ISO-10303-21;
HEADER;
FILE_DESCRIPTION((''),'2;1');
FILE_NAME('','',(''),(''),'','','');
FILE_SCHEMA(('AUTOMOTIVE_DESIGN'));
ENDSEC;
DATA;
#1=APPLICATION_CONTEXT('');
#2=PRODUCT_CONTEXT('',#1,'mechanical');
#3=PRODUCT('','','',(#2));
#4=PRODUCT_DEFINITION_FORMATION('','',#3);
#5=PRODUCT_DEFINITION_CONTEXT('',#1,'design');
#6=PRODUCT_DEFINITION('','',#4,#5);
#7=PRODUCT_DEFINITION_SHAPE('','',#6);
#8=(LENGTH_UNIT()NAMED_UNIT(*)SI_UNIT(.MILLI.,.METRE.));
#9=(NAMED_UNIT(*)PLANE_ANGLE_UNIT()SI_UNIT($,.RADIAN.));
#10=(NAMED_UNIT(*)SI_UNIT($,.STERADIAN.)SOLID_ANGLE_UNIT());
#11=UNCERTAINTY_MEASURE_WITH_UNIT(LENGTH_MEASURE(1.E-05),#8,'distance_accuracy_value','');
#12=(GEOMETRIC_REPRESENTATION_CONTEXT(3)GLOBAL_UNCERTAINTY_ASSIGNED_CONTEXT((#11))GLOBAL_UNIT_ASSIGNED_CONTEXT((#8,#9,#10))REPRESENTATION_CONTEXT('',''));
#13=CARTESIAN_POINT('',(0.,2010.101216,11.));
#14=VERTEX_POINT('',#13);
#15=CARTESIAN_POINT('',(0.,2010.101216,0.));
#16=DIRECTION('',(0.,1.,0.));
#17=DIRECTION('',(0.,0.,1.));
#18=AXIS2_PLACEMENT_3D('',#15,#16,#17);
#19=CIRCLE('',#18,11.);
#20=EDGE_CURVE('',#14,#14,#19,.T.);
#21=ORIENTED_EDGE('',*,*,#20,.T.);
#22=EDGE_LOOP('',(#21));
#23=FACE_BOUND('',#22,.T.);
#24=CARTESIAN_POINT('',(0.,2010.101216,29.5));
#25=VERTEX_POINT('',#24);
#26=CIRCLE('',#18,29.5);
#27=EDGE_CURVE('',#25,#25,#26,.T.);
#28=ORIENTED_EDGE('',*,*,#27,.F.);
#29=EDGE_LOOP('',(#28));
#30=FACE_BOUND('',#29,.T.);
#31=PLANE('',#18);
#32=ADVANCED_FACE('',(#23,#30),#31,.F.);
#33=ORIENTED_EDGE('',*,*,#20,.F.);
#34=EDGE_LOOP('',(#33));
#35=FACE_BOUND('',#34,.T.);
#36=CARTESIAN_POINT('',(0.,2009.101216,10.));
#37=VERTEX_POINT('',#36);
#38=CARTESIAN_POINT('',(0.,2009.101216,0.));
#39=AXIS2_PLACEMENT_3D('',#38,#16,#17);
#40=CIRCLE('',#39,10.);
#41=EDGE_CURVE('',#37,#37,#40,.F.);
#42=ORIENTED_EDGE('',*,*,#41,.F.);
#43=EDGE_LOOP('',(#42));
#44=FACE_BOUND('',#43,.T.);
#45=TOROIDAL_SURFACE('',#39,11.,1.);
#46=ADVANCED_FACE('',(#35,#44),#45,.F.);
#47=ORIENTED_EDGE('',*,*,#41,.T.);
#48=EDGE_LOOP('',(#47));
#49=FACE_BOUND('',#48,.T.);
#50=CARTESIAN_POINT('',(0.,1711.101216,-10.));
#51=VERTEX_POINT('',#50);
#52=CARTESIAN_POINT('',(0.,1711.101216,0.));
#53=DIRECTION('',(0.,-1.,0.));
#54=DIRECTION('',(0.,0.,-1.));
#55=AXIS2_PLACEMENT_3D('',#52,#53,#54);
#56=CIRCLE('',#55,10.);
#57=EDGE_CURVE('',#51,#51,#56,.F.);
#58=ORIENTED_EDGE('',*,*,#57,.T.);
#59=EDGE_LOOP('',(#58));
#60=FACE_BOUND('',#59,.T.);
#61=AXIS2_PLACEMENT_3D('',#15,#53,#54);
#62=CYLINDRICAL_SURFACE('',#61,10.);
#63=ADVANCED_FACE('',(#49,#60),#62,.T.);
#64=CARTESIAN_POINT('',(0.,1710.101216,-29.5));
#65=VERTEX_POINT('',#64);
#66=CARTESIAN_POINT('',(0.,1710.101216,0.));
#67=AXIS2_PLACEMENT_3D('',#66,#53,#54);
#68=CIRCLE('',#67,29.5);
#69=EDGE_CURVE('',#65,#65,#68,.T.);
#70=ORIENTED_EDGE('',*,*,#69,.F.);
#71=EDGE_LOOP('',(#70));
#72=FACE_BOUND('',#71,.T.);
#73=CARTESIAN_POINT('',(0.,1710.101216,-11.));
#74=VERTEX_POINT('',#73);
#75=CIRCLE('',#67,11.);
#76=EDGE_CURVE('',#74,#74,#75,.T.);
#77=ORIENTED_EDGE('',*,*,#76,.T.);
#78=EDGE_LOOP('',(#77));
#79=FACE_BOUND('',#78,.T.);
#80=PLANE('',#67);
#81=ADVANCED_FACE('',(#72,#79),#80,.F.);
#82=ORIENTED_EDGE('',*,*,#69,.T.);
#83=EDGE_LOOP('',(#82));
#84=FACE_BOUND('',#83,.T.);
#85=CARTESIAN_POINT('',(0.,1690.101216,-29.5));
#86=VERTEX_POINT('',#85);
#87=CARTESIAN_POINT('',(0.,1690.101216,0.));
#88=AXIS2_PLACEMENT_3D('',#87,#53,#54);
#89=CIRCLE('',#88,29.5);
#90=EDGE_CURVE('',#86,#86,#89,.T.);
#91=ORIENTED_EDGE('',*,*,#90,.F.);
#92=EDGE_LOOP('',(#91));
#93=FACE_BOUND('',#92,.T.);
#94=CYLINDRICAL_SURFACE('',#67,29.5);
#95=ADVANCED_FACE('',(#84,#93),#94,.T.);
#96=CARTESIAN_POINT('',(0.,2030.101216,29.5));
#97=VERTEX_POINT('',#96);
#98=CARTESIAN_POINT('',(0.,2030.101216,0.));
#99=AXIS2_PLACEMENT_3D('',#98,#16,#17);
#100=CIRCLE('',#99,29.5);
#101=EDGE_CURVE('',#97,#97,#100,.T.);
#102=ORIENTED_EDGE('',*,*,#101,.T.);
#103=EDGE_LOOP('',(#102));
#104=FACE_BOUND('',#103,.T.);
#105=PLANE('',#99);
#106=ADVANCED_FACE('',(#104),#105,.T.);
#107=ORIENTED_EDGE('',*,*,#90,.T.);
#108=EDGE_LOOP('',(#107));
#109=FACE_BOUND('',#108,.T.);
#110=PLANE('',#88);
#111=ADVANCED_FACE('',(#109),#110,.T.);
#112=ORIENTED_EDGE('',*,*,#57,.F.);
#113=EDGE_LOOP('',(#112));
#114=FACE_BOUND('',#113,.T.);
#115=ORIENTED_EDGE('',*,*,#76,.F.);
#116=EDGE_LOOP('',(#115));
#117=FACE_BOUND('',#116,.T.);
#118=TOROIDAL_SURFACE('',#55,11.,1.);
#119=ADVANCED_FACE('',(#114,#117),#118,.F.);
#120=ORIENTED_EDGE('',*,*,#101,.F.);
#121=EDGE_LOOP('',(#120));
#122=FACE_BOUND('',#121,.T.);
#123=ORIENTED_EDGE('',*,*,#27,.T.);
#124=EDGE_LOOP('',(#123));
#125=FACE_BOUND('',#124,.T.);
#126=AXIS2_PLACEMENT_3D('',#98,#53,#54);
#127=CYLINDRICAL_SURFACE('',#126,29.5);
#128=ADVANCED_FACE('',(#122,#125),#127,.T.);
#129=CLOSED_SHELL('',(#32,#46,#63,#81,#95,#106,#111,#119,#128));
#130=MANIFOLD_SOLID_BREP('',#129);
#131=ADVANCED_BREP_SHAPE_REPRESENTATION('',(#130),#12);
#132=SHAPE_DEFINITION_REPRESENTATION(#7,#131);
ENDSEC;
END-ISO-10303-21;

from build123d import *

# Parameters (mm, degrees)
SKETCH_1_R      = 29.5
EXTRUDE_1_DEPTH = 20
SKETCH_3_R      = 10
EXTRUDE_2_DEPTH = 300
SKETCH_4_R      = 29.5
EXTRUDE_3_DEPTH = 20
FILLET_1_R      = 1


with BuildPart() as part:
    # 草图1 → 凸台-拉伸1 (new body)
    with BuildSketch(Plane.XZ.offset(-1690.101215638)):
        with Locations(Location((0, 0, 0), (0, 0, 270))):
            Circle(SKETCH_1_R)
    extrude(amount=-EXTRUDE_1_DEPTH)

    # 草图3 → 凸台-拉伸2 (add)
    with BuildSketch(Plane(origin=(0, 1710.101215638, 0), x_dir=(1, 0, 0), z_dir=(0, 1, 0))):
        with Locations(Location((0, 0, 0), (0, 0, 270))):
            Circle(SKETCH_3_R)
    extrude(amount=EXTRUDE_2_DEPTH)

    # 草图4 → 凸台-拉伸3 (add)
    with BuildSketch(Plane(origin=(0, 2010.101215638, 0), x_dir=(1, 0, 0), z_dir=(0, 1, 0))):
        with Locations(Location((0, 0, 0), (0, 0, 90))):
            Circle(SKETCH_4_R)
    extrude(amount=EXTRUDE_3_DEPTH)

    # 圆角1
    fillet_1_edges = [part.edges().sort_by_distance(p)[0] for p in [
        (0, 1710.101215638, -10),
        (0, 2010.101215638, -10),
    ]]
    fillet(fillet_1_edges, radius=FILLET_1_R)


solid = part.part
